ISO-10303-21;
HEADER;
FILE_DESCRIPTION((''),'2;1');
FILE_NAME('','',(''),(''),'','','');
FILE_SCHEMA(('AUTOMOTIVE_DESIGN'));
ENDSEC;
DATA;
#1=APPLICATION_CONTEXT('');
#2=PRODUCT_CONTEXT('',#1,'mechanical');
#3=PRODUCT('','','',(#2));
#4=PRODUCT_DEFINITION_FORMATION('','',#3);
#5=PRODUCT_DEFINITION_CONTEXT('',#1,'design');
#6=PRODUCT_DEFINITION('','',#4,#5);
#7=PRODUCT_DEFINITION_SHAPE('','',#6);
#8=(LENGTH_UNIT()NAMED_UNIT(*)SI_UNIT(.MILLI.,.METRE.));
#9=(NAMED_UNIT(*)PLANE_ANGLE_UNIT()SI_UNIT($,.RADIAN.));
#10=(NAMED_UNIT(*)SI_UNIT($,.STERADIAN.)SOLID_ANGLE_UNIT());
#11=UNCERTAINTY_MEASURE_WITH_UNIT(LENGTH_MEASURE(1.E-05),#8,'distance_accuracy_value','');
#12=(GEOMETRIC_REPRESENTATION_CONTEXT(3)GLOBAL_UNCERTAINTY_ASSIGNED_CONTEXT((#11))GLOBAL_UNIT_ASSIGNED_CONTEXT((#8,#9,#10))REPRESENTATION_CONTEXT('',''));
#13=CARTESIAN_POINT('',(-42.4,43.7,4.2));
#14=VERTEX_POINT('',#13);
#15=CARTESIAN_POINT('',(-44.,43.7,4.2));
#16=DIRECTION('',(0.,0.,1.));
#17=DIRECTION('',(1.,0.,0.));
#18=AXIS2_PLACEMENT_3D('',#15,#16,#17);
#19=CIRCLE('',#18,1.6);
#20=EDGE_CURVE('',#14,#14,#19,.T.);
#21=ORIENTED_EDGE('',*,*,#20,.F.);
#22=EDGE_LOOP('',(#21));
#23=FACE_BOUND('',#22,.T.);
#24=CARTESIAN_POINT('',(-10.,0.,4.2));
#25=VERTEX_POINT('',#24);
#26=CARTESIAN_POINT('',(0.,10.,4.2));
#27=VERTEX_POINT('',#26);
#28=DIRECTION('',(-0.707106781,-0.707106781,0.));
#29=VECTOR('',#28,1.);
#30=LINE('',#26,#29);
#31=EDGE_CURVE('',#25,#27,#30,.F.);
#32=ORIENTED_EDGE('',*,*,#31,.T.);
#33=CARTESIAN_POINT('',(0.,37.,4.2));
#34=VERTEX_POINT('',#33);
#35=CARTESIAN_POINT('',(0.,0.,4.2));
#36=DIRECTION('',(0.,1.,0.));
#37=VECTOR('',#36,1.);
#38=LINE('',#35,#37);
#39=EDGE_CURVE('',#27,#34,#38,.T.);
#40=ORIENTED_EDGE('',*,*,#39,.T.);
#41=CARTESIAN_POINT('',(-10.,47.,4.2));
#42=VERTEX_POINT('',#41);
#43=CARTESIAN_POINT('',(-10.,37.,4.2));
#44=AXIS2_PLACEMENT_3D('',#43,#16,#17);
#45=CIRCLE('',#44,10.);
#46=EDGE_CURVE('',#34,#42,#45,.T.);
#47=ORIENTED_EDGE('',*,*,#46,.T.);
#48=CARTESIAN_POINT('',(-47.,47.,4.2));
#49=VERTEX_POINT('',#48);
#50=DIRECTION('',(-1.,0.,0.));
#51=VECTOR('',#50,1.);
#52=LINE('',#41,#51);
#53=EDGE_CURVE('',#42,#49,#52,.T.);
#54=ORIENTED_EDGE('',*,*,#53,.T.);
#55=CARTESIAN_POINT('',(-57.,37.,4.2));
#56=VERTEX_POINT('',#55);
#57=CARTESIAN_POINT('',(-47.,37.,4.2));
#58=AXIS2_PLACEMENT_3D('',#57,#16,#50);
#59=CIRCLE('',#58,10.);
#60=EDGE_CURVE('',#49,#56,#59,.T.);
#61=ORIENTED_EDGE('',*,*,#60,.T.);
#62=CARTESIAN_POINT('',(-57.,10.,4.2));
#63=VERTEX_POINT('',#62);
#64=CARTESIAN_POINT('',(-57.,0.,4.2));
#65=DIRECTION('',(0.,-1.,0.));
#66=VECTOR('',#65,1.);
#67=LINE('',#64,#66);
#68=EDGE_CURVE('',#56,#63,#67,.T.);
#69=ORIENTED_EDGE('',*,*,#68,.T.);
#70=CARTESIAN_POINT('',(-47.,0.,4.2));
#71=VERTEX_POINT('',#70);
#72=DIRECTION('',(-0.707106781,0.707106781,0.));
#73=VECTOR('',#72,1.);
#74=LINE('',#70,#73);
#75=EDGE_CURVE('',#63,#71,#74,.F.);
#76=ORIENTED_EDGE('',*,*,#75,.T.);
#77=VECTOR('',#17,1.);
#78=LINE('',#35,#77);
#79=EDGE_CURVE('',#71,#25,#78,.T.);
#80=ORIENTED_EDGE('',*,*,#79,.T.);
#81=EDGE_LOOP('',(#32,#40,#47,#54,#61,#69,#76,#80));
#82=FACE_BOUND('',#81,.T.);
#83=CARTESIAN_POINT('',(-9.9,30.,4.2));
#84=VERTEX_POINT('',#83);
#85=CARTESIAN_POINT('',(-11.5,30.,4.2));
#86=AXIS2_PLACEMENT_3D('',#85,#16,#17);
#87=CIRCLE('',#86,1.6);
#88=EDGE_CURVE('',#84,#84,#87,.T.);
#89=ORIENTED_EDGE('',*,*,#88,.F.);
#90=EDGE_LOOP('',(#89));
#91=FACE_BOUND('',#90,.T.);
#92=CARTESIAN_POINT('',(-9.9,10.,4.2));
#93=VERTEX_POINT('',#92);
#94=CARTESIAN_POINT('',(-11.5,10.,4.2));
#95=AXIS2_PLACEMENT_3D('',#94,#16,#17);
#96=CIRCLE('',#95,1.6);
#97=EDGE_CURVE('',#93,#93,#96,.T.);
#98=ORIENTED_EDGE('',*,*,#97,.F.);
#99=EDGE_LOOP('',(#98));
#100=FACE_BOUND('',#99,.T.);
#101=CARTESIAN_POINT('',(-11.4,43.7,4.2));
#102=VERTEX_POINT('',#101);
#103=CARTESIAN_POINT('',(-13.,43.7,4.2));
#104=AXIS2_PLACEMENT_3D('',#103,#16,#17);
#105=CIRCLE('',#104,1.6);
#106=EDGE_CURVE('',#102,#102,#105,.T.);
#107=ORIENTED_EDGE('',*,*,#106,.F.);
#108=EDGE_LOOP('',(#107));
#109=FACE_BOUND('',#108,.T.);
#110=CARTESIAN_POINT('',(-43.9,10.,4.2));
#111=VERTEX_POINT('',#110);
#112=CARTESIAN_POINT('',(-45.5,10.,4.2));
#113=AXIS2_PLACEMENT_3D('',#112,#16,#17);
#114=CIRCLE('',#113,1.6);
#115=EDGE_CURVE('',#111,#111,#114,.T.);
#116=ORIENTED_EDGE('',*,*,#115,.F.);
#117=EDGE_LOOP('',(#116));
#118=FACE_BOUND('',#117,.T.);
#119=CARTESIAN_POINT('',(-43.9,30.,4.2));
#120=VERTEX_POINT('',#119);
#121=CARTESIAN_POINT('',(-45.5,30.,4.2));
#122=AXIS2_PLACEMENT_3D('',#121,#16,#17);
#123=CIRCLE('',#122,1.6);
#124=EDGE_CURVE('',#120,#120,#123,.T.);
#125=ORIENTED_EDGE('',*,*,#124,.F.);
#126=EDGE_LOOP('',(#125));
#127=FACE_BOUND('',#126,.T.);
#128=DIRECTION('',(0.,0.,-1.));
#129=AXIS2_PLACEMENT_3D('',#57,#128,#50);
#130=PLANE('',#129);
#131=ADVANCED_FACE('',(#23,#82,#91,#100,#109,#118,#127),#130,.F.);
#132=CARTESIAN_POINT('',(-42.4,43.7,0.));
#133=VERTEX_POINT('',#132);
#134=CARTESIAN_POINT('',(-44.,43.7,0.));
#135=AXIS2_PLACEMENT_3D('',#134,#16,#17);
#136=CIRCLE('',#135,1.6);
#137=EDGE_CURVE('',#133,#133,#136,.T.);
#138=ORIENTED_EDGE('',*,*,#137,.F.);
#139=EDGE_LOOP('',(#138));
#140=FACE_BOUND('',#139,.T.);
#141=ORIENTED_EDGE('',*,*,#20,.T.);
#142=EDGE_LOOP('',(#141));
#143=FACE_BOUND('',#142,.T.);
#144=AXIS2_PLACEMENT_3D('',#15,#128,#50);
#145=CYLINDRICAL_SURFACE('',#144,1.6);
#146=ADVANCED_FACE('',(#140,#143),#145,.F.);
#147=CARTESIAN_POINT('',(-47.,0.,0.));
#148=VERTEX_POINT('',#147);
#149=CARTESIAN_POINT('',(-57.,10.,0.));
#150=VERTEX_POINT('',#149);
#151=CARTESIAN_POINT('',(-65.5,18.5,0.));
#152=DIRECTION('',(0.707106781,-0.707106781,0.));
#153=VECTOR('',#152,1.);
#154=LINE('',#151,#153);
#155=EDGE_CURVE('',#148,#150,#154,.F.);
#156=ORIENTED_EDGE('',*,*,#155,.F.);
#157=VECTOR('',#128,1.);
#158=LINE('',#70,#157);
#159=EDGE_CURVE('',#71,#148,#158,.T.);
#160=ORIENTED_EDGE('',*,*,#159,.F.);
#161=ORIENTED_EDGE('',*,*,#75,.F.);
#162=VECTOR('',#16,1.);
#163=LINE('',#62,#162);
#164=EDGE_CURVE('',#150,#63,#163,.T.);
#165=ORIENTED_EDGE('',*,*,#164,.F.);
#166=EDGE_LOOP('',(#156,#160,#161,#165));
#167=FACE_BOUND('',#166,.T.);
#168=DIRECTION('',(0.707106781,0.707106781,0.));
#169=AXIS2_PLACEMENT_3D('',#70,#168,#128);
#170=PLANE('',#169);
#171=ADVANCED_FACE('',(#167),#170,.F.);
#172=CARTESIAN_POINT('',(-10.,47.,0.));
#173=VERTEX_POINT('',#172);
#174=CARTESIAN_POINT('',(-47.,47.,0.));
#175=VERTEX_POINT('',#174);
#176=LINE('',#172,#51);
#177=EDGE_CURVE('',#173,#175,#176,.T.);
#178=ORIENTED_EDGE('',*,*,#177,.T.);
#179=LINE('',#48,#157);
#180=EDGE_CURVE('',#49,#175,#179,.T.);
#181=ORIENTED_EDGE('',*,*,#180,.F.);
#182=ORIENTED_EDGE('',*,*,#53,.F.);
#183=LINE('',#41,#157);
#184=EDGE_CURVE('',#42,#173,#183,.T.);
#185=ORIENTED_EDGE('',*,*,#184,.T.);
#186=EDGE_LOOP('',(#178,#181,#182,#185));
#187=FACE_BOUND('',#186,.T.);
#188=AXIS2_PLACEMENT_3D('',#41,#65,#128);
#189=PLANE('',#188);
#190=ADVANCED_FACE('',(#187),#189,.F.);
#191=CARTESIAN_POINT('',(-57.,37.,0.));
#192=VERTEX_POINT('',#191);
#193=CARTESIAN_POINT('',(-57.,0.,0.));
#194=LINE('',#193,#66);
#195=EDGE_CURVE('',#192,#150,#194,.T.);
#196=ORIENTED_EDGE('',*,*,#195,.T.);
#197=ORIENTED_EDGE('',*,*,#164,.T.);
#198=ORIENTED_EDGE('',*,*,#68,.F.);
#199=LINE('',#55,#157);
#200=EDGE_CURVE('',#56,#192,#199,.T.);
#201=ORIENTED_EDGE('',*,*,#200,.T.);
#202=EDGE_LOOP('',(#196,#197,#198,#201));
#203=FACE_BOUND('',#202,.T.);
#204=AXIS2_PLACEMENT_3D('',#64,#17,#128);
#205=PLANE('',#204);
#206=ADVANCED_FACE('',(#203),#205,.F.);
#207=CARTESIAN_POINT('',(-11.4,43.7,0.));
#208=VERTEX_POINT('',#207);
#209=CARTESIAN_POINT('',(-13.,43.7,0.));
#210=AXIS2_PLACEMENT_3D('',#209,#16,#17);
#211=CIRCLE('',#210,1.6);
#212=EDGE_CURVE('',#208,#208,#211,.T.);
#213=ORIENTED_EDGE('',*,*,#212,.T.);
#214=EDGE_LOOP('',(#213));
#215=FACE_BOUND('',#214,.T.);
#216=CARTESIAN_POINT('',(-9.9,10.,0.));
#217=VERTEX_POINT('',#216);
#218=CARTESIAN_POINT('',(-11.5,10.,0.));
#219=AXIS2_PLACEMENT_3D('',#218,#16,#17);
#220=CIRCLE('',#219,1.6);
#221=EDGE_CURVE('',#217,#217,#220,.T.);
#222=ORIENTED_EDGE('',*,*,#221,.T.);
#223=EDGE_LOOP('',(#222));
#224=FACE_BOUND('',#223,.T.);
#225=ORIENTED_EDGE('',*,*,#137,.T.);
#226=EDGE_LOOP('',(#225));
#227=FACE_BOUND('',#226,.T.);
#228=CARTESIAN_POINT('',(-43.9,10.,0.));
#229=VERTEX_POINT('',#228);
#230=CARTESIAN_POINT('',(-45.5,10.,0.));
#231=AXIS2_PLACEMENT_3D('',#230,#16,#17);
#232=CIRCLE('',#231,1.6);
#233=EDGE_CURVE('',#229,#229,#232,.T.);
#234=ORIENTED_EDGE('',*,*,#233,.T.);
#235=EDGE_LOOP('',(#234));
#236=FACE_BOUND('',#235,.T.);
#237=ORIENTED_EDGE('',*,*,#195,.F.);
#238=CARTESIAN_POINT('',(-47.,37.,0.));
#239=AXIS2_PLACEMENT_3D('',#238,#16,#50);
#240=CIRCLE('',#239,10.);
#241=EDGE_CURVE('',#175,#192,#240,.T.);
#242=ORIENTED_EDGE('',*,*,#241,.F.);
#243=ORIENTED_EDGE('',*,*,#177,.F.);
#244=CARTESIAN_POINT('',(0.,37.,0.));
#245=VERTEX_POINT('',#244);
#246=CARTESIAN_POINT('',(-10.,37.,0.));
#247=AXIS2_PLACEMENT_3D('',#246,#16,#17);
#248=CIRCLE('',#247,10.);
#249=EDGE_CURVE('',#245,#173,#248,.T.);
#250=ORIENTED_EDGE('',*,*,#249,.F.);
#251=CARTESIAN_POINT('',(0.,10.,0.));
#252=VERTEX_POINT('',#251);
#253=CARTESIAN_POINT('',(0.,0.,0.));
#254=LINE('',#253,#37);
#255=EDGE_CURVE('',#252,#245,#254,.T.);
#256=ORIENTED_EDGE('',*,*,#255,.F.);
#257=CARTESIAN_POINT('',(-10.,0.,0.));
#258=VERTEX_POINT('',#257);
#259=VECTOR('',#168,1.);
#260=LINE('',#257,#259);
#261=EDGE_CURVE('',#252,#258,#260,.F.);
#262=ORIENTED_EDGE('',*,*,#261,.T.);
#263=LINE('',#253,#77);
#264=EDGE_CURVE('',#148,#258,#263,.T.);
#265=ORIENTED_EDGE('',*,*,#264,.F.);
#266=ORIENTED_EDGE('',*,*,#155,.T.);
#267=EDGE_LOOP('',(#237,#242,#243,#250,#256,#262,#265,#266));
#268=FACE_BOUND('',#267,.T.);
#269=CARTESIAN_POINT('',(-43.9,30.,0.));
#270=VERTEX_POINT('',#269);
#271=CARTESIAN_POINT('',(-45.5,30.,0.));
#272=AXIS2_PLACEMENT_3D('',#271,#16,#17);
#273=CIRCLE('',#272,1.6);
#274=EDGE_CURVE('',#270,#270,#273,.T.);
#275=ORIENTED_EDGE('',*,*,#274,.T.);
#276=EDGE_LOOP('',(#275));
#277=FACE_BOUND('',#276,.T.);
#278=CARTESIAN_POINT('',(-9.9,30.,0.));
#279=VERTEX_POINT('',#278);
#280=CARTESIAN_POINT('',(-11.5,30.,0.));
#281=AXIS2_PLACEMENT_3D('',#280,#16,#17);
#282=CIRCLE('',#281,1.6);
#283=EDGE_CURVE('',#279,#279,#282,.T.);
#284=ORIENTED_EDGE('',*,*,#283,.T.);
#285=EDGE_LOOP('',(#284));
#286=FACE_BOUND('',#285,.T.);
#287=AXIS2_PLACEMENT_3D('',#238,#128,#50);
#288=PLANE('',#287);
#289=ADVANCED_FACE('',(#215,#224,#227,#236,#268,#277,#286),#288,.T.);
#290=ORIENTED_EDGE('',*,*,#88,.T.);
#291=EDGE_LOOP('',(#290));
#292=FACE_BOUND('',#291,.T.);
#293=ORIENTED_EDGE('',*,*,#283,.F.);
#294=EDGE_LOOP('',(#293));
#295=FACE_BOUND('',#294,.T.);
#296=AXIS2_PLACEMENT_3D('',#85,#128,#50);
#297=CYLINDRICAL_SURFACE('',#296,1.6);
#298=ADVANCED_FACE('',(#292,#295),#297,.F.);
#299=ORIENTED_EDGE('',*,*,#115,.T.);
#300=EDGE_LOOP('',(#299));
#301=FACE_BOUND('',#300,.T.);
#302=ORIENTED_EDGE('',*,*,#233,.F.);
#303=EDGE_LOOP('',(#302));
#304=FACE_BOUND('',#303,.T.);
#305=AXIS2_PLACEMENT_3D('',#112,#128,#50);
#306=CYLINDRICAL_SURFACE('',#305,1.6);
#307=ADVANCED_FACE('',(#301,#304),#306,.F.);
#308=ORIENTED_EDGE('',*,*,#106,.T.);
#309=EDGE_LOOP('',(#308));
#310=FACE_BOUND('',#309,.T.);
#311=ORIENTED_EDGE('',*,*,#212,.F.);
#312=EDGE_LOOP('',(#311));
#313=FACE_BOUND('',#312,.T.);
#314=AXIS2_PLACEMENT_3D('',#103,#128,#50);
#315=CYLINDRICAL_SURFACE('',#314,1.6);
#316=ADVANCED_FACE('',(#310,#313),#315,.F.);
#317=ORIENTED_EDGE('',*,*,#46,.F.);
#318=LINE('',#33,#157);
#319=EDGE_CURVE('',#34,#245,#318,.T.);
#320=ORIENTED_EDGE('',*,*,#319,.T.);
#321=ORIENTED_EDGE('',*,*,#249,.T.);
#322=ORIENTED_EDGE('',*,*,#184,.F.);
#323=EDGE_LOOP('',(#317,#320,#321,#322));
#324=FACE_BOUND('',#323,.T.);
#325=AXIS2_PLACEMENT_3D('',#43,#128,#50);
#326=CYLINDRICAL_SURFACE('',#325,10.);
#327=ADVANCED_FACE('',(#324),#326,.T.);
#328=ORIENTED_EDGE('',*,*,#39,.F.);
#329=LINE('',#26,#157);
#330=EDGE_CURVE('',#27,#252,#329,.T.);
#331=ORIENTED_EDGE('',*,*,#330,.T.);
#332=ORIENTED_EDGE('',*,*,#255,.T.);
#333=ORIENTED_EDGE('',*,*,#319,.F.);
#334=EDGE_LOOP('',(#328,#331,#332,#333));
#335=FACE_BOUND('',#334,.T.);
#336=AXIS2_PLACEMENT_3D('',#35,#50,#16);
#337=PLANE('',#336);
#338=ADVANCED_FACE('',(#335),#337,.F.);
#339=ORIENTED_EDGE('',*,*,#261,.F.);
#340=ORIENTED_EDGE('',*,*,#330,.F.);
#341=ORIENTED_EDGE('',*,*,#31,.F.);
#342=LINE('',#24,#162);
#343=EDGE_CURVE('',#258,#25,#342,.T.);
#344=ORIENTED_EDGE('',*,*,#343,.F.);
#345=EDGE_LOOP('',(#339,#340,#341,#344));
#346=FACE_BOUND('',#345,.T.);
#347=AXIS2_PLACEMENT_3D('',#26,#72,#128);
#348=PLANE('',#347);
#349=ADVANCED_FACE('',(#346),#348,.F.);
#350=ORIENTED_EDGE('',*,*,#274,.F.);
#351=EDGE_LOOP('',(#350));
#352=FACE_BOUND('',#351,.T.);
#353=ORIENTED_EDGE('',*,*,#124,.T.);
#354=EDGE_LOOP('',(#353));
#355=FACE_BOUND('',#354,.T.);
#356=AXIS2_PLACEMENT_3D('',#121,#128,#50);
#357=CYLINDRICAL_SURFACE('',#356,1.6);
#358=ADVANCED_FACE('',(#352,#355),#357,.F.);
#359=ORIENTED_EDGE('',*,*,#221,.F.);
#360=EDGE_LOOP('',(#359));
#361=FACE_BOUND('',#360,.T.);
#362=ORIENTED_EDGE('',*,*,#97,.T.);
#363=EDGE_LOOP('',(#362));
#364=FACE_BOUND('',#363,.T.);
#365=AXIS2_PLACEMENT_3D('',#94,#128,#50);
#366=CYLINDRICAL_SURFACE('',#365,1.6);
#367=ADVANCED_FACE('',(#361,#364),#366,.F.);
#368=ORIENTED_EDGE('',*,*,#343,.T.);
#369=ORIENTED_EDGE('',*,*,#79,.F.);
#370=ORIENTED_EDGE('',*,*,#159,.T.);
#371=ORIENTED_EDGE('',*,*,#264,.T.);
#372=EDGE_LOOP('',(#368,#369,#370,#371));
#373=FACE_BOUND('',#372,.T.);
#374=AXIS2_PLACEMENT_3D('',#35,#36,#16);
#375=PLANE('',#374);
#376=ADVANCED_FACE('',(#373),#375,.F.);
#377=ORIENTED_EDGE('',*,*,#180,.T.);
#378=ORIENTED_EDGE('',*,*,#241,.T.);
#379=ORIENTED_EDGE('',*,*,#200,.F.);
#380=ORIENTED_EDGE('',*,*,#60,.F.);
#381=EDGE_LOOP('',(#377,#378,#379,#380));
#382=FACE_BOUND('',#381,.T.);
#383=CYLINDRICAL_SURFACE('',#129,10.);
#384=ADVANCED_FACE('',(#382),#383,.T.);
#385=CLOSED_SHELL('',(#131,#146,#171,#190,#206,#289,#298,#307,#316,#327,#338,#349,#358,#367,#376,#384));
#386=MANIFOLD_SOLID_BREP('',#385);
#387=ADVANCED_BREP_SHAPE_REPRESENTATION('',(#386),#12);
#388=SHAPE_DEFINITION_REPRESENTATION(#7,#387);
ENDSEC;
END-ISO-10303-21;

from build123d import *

# Parameters (mm, degrees)
SKETCH2_R           = 1.6
BOSS_EXTRUDE1_DEPTH = 4.2
CHAMFER1_SIZE       = 10


with BuildPart() as part:
    # Sketch2 → Boss-Extrude1 (new body)
    with BuildSketch(Plane(origin=(0, 0, 0), x_dir=(0, 1, 0), z_dir=(0, 0, 1))):
        with BuildLine():
            Line((0, 0), (37, 0))
            ThreePointArc((37, 0), (44.071067812, 2.928932188), (47, 10))
            Line((47, 10), (47, 47))
            ThreePointArc((47, 47), (44.071067812, 54.071067812), (37, 57))
            Line((37, 57), (0, 57))
            Line((0, 57), (0, 0))
        make_face()
        with Locations(Location((43.7, 44, 0), (0, 0, 270))):
            Circle(SKETCH2_R, mode=Mode.SUBTRACT)
        with Locations(Location((43.7, 13, 0), (0, 0, 270))):
            Circle(SKETCH2_R, mode=Mode.SUBTRACT)
        with Locations(Location((10, 45.5, 0), (0, 0, 270))):
            Circle(SKETCH2_R, mode=Mode.SUBTRACT)
        with Locations(Location((10, 11.5, 0), (0, 0, 270))):
            Circle(SKETCH2_R, mode=Mode.SUBTRACT)
        with Locations(Location((30, 45.5, 0), (0, 0, 270))):
            Circle(SKETCH2_R, mode=Mode.SUBTRACT)
        with Locations(Location((30, 11.5, 0), (0, 0, 270))):
            Circle(SKETCH2_R, mode=Mode.SUBTRACT)
    extrude(amount=BOSS_EXTRUDE1_DEPTH)

    # Chamfer1
    chamfer1_edges = [part.edges().sort_by_distance(p)[0] for p in [
        (-57, 0, 2.1),
        (0, 0, 2.1),
    ]]
    chamfer(chamfer1_edges, length=CHAMFER1_SIZE)


solid = part.part
